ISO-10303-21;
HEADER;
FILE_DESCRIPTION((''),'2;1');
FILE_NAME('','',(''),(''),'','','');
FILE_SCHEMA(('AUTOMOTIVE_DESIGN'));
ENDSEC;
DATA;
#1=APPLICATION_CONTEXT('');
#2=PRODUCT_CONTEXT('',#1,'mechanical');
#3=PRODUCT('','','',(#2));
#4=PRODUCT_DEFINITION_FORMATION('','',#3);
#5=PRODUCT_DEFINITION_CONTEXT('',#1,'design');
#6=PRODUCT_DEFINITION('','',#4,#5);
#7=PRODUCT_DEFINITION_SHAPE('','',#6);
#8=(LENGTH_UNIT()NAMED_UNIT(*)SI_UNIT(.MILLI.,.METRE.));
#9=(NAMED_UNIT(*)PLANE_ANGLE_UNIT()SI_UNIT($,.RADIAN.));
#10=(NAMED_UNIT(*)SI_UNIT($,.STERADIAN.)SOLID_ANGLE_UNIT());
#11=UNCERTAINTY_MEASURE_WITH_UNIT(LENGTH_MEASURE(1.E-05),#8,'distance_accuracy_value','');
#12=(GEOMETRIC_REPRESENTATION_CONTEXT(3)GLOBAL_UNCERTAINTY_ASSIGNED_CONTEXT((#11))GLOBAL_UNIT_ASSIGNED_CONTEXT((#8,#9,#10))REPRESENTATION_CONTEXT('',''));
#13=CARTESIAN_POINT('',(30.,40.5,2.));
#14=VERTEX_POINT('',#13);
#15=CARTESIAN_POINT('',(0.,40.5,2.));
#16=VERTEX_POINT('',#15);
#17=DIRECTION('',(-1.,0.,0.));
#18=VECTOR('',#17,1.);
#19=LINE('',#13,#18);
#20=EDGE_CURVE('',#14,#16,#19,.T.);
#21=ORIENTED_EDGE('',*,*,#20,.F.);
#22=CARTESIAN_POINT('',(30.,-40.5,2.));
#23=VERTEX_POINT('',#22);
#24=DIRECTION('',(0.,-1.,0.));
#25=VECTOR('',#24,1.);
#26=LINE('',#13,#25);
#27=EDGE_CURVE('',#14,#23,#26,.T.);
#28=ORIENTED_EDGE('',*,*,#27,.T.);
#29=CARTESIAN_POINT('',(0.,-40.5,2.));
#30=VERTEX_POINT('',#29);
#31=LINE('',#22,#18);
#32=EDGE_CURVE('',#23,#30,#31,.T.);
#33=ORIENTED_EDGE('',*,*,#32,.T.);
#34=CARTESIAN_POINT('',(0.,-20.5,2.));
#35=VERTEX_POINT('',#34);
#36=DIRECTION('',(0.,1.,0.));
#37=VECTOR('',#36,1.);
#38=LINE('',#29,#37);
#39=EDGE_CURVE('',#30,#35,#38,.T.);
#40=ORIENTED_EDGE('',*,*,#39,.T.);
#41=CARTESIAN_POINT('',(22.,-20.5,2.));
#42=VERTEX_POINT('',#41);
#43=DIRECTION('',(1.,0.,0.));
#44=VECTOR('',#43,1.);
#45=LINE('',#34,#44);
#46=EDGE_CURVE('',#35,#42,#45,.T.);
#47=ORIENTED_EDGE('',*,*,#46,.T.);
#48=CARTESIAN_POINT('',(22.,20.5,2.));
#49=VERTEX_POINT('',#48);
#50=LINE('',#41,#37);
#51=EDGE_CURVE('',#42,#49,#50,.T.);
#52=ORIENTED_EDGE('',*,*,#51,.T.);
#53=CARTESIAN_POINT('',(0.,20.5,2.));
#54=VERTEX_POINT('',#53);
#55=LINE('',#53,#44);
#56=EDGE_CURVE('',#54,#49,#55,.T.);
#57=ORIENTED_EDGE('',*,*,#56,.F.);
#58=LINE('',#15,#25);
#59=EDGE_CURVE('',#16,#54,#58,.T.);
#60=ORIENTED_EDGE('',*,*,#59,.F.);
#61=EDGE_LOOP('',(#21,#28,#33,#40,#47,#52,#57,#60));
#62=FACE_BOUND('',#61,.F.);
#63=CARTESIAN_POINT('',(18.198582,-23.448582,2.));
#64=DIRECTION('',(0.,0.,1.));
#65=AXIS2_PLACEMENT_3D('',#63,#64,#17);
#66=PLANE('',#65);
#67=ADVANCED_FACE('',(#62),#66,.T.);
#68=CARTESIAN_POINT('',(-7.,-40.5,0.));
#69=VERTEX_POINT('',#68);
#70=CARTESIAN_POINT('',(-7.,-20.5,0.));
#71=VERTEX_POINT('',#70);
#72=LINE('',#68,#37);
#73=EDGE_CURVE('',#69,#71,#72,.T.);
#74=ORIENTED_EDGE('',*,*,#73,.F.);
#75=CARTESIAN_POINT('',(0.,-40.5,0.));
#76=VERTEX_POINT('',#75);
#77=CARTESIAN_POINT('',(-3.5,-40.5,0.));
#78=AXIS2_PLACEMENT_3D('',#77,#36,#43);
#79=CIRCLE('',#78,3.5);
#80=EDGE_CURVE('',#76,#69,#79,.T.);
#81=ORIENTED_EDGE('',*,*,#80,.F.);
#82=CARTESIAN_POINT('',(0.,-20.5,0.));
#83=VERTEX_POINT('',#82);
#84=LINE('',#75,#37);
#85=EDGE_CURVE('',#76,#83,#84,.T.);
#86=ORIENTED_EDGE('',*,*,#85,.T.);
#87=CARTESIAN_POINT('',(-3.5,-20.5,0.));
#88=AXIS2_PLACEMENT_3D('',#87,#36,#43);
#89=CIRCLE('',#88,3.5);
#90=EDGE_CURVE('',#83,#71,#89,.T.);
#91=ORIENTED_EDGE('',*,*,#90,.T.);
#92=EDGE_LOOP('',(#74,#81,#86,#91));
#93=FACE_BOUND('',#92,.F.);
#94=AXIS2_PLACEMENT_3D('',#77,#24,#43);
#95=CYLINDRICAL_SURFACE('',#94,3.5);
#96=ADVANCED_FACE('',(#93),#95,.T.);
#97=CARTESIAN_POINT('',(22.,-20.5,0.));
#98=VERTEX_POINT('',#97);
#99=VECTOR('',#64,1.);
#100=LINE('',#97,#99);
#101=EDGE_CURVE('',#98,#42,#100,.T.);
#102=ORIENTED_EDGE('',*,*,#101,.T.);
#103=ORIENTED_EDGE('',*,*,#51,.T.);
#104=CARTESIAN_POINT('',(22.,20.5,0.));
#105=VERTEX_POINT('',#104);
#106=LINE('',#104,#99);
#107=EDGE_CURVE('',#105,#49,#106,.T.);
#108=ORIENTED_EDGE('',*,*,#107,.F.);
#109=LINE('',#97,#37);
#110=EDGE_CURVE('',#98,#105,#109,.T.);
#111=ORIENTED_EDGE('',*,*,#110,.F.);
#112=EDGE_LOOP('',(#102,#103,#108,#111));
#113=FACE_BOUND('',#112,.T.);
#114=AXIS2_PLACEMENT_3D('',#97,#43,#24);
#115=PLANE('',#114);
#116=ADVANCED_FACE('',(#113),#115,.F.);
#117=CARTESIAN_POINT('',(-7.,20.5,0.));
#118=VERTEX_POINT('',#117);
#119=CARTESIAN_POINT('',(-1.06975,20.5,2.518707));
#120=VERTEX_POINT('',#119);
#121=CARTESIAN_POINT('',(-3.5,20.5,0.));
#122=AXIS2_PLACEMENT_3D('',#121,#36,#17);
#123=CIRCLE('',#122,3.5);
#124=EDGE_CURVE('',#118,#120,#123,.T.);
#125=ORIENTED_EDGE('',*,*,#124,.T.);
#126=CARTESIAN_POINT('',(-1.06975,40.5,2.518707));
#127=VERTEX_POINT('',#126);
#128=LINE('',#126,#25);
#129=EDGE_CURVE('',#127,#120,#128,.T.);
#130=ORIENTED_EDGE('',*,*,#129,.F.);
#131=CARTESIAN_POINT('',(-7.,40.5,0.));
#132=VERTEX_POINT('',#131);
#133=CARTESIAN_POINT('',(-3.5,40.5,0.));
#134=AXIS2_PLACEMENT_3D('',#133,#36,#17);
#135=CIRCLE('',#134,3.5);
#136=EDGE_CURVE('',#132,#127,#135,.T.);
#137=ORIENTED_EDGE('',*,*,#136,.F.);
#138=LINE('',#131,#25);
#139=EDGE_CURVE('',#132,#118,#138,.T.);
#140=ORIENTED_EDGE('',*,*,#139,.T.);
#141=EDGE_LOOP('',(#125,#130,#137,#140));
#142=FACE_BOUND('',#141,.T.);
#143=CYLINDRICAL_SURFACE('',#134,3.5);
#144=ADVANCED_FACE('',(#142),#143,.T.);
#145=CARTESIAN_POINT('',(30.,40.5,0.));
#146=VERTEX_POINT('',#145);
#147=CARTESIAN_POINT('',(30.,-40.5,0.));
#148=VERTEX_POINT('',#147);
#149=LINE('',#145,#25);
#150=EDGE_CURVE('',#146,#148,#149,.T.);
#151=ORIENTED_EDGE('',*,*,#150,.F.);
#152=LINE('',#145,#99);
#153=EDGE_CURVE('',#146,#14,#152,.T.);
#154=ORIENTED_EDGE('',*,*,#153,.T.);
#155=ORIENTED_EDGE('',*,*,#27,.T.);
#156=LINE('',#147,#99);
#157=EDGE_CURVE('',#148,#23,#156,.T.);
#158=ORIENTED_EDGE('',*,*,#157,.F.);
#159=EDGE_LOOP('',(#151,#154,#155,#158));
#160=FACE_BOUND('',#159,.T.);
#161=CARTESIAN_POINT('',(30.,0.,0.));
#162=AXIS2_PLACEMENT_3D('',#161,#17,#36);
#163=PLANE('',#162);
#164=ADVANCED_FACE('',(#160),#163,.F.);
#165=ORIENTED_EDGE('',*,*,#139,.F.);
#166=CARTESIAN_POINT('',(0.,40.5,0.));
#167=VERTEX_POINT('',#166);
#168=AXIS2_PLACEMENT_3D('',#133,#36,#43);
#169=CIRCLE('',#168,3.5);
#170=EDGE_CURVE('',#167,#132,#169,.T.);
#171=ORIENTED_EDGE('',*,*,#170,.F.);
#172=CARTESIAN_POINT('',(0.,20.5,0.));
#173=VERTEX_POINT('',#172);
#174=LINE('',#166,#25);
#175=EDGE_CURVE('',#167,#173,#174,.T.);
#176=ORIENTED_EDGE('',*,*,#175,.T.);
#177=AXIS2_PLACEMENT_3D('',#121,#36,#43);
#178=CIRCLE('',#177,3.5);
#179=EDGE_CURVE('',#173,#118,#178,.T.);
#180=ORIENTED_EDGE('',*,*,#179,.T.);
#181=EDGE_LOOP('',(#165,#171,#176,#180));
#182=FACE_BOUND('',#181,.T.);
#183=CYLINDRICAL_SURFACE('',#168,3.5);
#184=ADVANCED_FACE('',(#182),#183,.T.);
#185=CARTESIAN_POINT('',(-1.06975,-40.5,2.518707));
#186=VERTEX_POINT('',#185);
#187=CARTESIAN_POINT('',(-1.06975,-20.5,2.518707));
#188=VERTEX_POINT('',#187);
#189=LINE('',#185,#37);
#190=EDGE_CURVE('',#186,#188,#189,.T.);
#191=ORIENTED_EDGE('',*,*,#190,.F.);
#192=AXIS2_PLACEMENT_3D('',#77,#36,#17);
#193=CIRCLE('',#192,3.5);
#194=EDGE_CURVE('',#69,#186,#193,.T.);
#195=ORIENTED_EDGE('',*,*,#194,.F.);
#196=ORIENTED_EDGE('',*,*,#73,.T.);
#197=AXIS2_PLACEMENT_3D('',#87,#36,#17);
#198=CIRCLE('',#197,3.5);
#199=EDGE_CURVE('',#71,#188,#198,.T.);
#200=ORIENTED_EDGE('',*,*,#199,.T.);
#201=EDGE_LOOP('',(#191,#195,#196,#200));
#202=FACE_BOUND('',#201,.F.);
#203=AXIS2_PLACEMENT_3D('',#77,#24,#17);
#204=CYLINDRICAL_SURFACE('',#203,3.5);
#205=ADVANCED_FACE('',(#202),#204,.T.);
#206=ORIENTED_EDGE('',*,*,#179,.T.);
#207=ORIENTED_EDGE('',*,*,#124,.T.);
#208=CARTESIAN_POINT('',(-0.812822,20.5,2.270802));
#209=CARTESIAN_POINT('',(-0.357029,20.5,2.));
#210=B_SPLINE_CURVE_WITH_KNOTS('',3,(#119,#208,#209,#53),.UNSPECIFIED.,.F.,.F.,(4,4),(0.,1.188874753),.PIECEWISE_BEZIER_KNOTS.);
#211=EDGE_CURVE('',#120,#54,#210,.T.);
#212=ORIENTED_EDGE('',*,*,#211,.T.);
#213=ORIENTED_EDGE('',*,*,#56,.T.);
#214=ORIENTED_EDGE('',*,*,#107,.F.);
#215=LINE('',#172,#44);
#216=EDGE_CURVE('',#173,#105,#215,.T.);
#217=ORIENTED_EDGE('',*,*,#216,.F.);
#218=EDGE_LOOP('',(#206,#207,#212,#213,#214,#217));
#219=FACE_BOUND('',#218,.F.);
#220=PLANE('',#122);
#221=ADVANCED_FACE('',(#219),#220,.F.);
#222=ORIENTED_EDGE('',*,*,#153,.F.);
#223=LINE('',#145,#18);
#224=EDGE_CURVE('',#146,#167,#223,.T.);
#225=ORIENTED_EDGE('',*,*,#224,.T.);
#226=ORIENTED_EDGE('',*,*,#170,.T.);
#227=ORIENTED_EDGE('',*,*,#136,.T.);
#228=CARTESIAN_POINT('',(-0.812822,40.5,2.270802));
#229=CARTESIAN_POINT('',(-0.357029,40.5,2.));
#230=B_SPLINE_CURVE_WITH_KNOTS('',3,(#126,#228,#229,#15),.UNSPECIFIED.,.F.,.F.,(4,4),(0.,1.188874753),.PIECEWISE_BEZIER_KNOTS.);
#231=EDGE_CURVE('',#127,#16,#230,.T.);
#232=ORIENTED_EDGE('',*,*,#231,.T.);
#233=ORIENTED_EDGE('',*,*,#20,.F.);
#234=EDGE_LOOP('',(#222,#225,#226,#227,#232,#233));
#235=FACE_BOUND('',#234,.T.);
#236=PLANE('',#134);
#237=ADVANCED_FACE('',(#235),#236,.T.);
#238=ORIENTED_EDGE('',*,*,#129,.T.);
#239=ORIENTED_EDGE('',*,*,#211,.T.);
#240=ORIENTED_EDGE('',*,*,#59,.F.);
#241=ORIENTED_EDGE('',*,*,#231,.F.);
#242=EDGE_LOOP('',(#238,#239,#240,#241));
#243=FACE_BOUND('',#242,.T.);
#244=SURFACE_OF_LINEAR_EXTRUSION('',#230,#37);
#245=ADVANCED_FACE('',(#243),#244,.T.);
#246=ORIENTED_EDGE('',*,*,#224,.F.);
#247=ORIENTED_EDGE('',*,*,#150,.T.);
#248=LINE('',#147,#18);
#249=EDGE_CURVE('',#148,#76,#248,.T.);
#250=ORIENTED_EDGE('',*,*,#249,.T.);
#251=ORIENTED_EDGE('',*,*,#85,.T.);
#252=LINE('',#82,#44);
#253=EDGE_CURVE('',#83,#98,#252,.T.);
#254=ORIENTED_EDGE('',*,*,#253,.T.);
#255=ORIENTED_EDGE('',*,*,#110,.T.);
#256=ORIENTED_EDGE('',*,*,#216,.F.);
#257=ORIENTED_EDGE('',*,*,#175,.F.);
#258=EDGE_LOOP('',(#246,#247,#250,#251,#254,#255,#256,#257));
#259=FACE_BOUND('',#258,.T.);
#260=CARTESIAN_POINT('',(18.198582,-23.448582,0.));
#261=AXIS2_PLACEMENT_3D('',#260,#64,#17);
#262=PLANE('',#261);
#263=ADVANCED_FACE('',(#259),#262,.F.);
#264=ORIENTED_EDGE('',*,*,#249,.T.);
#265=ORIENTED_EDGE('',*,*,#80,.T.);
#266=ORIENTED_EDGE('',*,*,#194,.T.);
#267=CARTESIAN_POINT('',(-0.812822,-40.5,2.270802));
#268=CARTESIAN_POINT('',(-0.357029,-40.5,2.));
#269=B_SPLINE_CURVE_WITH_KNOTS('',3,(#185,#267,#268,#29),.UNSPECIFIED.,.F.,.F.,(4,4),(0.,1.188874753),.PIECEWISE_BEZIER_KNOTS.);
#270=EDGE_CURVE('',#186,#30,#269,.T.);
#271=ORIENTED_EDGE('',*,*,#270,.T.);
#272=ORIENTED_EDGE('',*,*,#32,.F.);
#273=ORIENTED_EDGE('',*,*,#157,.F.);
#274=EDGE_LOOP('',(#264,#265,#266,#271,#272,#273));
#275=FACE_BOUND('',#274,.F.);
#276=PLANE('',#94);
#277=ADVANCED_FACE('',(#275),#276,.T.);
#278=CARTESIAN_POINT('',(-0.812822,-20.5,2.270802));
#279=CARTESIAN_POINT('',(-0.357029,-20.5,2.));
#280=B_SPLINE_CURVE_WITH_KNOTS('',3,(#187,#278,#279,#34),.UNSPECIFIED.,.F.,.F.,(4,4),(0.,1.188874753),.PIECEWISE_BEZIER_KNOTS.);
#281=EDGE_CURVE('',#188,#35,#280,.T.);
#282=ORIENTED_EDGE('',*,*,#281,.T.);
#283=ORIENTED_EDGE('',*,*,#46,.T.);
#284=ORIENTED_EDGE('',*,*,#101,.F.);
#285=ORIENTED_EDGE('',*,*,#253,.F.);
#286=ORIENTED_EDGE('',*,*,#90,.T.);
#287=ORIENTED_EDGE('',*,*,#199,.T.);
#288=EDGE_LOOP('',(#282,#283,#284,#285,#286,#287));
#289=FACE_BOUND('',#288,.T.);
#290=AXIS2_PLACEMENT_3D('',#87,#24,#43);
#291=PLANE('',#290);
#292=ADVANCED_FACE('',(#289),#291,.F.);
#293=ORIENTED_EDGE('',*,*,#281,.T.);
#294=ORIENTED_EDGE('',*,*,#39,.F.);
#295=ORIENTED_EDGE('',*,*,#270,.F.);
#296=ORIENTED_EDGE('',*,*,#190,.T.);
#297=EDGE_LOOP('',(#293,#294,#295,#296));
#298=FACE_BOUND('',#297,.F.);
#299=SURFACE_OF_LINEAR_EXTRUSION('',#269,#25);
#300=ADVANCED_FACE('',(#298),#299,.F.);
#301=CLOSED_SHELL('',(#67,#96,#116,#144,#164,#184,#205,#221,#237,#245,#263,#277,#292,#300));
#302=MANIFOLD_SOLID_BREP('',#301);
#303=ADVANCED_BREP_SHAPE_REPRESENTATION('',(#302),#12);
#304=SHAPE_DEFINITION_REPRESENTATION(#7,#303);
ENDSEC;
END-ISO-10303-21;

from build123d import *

# Parameters (mm, degrees)
F1_DEPTH = 2
F4_DEPTH = 20


with BuildPart() as f1:
    # F0 (on Top) → F1 (new body)
    with BuildSketch(Plane.XY):
        Polygon((30, 40.5), (0, 40.5), (0, 20.5), (22, 20.5), (22, 0), (30, 0), align=None)
    extrude(amount=F1_DEPTH)

    # F3 (on offset) → F4 (join, through all)
    with BuildSketch(Plane(origin=(0, 40.5, 0), x_dir=(-1, 0, 0), z_dir=(0, 1, 0))):
        with BuildLine():
            ThreePointArc((0, 0), (3.5, -3.5), (7, 0))
            ThreePointArc((7, 0), (4.8682335874, 3.221480537), (1.0697503713, 2.5187073554))
            ThreePointArc((1.0697503713, 2.5187073554), (0.278519463, 1.3682335874), (0, 0))
        make_face()
        with BuildLine():
            ThreePointArc((0, 0), (0.278519463, 1.3682335874), (1.0697503713, 2.5187073554))
            add(Edge.make_bspline(
                [(1.0697503713, 2.5187073554), (0.8128216168, 2.2708020127), (0.3570286317, 2), (0, 2)],
                knots=[0, 0, 0, 0, 1.1888747527, 1.1888747527, 1.1888747527, 1.1888747527], degree=3))
            Line((0, 2), (0, 0))
        make_face()
    extrude(amount=-F4_DEPTH)

    # F5: F1 across plane


with BuildPart() as f1_1:
    add(f1.part)
    add(f1.part.mirror(Plane.XZ))


solid = f1_1.part
